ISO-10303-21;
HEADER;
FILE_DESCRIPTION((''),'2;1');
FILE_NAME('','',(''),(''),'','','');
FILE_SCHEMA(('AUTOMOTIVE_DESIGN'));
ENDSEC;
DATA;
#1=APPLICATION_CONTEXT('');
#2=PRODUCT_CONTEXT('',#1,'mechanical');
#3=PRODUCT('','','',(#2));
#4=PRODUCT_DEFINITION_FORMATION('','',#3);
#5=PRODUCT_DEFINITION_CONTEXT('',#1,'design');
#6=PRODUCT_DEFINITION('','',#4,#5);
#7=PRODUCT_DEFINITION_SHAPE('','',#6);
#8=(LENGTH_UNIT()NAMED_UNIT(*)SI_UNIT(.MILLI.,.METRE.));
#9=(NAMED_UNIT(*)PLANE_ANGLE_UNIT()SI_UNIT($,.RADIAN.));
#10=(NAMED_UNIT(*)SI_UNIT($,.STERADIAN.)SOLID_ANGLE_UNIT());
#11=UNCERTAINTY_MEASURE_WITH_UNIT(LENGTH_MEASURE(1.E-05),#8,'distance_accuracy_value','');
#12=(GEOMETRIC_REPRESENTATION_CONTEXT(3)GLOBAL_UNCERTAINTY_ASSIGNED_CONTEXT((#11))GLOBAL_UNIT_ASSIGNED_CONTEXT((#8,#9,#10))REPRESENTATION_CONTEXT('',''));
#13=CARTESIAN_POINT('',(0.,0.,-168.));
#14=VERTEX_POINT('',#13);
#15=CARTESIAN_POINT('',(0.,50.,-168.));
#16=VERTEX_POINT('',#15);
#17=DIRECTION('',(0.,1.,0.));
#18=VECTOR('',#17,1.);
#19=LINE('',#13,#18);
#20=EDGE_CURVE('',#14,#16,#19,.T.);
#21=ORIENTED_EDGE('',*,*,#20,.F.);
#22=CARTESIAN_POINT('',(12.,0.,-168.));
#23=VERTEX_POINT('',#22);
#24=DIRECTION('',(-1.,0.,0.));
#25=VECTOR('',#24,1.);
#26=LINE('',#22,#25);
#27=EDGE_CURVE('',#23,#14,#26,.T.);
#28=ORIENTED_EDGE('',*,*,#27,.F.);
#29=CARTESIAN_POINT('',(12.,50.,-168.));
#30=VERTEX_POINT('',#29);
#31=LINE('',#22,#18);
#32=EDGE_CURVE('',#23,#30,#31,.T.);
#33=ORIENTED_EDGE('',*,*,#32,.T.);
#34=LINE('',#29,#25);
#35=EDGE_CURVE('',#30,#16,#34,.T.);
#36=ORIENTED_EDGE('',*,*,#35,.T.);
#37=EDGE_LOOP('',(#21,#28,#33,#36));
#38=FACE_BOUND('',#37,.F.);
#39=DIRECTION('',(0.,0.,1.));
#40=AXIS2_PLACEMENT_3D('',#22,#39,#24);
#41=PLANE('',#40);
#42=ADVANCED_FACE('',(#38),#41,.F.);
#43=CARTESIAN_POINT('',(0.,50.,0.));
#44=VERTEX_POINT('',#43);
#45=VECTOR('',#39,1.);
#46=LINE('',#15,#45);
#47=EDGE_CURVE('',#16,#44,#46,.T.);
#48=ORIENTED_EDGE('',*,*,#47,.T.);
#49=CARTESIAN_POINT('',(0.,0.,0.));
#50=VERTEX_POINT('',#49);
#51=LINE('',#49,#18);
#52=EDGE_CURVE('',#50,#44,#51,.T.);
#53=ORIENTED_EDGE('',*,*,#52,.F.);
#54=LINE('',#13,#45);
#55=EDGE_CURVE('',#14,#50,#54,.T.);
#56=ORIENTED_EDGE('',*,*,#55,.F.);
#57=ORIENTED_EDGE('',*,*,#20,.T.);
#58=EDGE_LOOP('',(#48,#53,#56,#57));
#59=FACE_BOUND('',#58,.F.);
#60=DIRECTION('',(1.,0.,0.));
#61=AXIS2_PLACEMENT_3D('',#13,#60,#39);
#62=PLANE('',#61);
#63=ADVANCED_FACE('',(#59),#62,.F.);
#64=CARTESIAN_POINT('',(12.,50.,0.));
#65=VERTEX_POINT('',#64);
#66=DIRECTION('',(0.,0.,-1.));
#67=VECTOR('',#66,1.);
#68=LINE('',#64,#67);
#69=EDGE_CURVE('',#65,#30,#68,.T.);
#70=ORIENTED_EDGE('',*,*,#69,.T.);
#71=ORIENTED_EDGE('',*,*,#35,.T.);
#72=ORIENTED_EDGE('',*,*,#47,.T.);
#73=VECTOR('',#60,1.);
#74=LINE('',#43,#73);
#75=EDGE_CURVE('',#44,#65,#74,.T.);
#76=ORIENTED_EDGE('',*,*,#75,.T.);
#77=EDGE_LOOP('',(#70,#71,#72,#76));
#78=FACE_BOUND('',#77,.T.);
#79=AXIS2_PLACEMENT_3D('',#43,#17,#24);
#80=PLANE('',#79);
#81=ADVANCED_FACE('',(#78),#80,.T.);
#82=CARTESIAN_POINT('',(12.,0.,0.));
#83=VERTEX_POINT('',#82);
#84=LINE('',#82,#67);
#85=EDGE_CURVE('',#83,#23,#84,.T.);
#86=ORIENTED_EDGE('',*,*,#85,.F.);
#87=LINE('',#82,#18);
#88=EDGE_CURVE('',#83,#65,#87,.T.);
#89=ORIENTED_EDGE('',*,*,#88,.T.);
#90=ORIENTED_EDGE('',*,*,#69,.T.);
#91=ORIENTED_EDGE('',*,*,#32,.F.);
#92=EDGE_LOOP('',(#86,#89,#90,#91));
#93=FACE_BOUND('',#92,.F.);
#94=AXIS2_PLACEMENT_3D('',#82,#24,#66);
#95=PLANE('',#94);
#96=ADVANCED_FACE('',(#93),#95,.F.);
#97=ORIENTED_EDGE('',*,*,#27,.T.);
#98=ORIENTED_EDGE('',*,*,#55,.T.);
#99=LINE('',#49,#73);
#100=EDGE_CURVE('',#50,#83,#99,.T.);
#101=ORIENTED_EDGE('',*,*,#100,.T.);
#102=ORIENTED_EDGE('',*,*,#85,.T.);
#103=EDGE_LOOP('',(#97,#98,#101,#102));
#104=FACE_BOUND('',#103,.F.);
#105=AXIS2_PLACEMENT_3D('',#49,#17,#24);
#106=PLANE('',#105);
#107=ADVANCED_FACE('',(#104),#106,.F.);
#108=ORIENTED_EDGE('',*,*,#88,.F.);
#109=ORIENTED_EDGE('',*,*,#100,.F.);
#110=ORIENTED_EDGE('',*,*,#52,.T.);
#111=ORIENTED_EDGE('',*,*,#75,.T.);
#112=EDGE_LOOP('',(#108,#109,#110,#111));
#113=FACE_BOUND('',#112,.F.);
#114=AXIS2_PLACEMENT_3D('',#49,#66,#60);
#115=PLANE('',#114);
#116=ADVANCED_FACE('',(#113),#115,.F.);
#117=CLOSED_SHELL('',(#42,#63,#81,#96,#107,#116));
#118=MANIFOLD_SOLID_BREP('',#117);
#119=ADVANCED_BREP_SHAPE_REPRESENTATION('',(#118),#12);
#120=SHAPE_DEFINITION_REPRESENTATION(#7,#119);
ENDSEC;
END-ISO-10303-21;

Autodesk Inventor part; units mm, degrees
ref_plane "YZ Plane" through (0, 0, 0) normal (1, 0, 0) x (0, 1, 0)
ref_plane "XZ Plane" through (0, 0, 0) normal (0, 1, 0) x (-1, 0, 0)
ref_plane "XY Plane" through (0, 0, 0) normal (0, 0, 1) x (1, 0, 0)
sketch "Sketch1" plane through (0, 0, 0) normal (0, 1, 0) x (-1, 0, 0)
  line L0 (0, 0) -> (-12, 0)
  line L1 (-12, 0) -> (-12, -168)
  line L2 (-12, -168) -> (0, -168)
  line L3 (0, -168) -> (0, 0)
  dimension "d0" = 12
  dimension "d1" = 168
extrude "Extrusion1" add sketch "Sketch1" along normal blind 50
properties part number "Maze Wall"
